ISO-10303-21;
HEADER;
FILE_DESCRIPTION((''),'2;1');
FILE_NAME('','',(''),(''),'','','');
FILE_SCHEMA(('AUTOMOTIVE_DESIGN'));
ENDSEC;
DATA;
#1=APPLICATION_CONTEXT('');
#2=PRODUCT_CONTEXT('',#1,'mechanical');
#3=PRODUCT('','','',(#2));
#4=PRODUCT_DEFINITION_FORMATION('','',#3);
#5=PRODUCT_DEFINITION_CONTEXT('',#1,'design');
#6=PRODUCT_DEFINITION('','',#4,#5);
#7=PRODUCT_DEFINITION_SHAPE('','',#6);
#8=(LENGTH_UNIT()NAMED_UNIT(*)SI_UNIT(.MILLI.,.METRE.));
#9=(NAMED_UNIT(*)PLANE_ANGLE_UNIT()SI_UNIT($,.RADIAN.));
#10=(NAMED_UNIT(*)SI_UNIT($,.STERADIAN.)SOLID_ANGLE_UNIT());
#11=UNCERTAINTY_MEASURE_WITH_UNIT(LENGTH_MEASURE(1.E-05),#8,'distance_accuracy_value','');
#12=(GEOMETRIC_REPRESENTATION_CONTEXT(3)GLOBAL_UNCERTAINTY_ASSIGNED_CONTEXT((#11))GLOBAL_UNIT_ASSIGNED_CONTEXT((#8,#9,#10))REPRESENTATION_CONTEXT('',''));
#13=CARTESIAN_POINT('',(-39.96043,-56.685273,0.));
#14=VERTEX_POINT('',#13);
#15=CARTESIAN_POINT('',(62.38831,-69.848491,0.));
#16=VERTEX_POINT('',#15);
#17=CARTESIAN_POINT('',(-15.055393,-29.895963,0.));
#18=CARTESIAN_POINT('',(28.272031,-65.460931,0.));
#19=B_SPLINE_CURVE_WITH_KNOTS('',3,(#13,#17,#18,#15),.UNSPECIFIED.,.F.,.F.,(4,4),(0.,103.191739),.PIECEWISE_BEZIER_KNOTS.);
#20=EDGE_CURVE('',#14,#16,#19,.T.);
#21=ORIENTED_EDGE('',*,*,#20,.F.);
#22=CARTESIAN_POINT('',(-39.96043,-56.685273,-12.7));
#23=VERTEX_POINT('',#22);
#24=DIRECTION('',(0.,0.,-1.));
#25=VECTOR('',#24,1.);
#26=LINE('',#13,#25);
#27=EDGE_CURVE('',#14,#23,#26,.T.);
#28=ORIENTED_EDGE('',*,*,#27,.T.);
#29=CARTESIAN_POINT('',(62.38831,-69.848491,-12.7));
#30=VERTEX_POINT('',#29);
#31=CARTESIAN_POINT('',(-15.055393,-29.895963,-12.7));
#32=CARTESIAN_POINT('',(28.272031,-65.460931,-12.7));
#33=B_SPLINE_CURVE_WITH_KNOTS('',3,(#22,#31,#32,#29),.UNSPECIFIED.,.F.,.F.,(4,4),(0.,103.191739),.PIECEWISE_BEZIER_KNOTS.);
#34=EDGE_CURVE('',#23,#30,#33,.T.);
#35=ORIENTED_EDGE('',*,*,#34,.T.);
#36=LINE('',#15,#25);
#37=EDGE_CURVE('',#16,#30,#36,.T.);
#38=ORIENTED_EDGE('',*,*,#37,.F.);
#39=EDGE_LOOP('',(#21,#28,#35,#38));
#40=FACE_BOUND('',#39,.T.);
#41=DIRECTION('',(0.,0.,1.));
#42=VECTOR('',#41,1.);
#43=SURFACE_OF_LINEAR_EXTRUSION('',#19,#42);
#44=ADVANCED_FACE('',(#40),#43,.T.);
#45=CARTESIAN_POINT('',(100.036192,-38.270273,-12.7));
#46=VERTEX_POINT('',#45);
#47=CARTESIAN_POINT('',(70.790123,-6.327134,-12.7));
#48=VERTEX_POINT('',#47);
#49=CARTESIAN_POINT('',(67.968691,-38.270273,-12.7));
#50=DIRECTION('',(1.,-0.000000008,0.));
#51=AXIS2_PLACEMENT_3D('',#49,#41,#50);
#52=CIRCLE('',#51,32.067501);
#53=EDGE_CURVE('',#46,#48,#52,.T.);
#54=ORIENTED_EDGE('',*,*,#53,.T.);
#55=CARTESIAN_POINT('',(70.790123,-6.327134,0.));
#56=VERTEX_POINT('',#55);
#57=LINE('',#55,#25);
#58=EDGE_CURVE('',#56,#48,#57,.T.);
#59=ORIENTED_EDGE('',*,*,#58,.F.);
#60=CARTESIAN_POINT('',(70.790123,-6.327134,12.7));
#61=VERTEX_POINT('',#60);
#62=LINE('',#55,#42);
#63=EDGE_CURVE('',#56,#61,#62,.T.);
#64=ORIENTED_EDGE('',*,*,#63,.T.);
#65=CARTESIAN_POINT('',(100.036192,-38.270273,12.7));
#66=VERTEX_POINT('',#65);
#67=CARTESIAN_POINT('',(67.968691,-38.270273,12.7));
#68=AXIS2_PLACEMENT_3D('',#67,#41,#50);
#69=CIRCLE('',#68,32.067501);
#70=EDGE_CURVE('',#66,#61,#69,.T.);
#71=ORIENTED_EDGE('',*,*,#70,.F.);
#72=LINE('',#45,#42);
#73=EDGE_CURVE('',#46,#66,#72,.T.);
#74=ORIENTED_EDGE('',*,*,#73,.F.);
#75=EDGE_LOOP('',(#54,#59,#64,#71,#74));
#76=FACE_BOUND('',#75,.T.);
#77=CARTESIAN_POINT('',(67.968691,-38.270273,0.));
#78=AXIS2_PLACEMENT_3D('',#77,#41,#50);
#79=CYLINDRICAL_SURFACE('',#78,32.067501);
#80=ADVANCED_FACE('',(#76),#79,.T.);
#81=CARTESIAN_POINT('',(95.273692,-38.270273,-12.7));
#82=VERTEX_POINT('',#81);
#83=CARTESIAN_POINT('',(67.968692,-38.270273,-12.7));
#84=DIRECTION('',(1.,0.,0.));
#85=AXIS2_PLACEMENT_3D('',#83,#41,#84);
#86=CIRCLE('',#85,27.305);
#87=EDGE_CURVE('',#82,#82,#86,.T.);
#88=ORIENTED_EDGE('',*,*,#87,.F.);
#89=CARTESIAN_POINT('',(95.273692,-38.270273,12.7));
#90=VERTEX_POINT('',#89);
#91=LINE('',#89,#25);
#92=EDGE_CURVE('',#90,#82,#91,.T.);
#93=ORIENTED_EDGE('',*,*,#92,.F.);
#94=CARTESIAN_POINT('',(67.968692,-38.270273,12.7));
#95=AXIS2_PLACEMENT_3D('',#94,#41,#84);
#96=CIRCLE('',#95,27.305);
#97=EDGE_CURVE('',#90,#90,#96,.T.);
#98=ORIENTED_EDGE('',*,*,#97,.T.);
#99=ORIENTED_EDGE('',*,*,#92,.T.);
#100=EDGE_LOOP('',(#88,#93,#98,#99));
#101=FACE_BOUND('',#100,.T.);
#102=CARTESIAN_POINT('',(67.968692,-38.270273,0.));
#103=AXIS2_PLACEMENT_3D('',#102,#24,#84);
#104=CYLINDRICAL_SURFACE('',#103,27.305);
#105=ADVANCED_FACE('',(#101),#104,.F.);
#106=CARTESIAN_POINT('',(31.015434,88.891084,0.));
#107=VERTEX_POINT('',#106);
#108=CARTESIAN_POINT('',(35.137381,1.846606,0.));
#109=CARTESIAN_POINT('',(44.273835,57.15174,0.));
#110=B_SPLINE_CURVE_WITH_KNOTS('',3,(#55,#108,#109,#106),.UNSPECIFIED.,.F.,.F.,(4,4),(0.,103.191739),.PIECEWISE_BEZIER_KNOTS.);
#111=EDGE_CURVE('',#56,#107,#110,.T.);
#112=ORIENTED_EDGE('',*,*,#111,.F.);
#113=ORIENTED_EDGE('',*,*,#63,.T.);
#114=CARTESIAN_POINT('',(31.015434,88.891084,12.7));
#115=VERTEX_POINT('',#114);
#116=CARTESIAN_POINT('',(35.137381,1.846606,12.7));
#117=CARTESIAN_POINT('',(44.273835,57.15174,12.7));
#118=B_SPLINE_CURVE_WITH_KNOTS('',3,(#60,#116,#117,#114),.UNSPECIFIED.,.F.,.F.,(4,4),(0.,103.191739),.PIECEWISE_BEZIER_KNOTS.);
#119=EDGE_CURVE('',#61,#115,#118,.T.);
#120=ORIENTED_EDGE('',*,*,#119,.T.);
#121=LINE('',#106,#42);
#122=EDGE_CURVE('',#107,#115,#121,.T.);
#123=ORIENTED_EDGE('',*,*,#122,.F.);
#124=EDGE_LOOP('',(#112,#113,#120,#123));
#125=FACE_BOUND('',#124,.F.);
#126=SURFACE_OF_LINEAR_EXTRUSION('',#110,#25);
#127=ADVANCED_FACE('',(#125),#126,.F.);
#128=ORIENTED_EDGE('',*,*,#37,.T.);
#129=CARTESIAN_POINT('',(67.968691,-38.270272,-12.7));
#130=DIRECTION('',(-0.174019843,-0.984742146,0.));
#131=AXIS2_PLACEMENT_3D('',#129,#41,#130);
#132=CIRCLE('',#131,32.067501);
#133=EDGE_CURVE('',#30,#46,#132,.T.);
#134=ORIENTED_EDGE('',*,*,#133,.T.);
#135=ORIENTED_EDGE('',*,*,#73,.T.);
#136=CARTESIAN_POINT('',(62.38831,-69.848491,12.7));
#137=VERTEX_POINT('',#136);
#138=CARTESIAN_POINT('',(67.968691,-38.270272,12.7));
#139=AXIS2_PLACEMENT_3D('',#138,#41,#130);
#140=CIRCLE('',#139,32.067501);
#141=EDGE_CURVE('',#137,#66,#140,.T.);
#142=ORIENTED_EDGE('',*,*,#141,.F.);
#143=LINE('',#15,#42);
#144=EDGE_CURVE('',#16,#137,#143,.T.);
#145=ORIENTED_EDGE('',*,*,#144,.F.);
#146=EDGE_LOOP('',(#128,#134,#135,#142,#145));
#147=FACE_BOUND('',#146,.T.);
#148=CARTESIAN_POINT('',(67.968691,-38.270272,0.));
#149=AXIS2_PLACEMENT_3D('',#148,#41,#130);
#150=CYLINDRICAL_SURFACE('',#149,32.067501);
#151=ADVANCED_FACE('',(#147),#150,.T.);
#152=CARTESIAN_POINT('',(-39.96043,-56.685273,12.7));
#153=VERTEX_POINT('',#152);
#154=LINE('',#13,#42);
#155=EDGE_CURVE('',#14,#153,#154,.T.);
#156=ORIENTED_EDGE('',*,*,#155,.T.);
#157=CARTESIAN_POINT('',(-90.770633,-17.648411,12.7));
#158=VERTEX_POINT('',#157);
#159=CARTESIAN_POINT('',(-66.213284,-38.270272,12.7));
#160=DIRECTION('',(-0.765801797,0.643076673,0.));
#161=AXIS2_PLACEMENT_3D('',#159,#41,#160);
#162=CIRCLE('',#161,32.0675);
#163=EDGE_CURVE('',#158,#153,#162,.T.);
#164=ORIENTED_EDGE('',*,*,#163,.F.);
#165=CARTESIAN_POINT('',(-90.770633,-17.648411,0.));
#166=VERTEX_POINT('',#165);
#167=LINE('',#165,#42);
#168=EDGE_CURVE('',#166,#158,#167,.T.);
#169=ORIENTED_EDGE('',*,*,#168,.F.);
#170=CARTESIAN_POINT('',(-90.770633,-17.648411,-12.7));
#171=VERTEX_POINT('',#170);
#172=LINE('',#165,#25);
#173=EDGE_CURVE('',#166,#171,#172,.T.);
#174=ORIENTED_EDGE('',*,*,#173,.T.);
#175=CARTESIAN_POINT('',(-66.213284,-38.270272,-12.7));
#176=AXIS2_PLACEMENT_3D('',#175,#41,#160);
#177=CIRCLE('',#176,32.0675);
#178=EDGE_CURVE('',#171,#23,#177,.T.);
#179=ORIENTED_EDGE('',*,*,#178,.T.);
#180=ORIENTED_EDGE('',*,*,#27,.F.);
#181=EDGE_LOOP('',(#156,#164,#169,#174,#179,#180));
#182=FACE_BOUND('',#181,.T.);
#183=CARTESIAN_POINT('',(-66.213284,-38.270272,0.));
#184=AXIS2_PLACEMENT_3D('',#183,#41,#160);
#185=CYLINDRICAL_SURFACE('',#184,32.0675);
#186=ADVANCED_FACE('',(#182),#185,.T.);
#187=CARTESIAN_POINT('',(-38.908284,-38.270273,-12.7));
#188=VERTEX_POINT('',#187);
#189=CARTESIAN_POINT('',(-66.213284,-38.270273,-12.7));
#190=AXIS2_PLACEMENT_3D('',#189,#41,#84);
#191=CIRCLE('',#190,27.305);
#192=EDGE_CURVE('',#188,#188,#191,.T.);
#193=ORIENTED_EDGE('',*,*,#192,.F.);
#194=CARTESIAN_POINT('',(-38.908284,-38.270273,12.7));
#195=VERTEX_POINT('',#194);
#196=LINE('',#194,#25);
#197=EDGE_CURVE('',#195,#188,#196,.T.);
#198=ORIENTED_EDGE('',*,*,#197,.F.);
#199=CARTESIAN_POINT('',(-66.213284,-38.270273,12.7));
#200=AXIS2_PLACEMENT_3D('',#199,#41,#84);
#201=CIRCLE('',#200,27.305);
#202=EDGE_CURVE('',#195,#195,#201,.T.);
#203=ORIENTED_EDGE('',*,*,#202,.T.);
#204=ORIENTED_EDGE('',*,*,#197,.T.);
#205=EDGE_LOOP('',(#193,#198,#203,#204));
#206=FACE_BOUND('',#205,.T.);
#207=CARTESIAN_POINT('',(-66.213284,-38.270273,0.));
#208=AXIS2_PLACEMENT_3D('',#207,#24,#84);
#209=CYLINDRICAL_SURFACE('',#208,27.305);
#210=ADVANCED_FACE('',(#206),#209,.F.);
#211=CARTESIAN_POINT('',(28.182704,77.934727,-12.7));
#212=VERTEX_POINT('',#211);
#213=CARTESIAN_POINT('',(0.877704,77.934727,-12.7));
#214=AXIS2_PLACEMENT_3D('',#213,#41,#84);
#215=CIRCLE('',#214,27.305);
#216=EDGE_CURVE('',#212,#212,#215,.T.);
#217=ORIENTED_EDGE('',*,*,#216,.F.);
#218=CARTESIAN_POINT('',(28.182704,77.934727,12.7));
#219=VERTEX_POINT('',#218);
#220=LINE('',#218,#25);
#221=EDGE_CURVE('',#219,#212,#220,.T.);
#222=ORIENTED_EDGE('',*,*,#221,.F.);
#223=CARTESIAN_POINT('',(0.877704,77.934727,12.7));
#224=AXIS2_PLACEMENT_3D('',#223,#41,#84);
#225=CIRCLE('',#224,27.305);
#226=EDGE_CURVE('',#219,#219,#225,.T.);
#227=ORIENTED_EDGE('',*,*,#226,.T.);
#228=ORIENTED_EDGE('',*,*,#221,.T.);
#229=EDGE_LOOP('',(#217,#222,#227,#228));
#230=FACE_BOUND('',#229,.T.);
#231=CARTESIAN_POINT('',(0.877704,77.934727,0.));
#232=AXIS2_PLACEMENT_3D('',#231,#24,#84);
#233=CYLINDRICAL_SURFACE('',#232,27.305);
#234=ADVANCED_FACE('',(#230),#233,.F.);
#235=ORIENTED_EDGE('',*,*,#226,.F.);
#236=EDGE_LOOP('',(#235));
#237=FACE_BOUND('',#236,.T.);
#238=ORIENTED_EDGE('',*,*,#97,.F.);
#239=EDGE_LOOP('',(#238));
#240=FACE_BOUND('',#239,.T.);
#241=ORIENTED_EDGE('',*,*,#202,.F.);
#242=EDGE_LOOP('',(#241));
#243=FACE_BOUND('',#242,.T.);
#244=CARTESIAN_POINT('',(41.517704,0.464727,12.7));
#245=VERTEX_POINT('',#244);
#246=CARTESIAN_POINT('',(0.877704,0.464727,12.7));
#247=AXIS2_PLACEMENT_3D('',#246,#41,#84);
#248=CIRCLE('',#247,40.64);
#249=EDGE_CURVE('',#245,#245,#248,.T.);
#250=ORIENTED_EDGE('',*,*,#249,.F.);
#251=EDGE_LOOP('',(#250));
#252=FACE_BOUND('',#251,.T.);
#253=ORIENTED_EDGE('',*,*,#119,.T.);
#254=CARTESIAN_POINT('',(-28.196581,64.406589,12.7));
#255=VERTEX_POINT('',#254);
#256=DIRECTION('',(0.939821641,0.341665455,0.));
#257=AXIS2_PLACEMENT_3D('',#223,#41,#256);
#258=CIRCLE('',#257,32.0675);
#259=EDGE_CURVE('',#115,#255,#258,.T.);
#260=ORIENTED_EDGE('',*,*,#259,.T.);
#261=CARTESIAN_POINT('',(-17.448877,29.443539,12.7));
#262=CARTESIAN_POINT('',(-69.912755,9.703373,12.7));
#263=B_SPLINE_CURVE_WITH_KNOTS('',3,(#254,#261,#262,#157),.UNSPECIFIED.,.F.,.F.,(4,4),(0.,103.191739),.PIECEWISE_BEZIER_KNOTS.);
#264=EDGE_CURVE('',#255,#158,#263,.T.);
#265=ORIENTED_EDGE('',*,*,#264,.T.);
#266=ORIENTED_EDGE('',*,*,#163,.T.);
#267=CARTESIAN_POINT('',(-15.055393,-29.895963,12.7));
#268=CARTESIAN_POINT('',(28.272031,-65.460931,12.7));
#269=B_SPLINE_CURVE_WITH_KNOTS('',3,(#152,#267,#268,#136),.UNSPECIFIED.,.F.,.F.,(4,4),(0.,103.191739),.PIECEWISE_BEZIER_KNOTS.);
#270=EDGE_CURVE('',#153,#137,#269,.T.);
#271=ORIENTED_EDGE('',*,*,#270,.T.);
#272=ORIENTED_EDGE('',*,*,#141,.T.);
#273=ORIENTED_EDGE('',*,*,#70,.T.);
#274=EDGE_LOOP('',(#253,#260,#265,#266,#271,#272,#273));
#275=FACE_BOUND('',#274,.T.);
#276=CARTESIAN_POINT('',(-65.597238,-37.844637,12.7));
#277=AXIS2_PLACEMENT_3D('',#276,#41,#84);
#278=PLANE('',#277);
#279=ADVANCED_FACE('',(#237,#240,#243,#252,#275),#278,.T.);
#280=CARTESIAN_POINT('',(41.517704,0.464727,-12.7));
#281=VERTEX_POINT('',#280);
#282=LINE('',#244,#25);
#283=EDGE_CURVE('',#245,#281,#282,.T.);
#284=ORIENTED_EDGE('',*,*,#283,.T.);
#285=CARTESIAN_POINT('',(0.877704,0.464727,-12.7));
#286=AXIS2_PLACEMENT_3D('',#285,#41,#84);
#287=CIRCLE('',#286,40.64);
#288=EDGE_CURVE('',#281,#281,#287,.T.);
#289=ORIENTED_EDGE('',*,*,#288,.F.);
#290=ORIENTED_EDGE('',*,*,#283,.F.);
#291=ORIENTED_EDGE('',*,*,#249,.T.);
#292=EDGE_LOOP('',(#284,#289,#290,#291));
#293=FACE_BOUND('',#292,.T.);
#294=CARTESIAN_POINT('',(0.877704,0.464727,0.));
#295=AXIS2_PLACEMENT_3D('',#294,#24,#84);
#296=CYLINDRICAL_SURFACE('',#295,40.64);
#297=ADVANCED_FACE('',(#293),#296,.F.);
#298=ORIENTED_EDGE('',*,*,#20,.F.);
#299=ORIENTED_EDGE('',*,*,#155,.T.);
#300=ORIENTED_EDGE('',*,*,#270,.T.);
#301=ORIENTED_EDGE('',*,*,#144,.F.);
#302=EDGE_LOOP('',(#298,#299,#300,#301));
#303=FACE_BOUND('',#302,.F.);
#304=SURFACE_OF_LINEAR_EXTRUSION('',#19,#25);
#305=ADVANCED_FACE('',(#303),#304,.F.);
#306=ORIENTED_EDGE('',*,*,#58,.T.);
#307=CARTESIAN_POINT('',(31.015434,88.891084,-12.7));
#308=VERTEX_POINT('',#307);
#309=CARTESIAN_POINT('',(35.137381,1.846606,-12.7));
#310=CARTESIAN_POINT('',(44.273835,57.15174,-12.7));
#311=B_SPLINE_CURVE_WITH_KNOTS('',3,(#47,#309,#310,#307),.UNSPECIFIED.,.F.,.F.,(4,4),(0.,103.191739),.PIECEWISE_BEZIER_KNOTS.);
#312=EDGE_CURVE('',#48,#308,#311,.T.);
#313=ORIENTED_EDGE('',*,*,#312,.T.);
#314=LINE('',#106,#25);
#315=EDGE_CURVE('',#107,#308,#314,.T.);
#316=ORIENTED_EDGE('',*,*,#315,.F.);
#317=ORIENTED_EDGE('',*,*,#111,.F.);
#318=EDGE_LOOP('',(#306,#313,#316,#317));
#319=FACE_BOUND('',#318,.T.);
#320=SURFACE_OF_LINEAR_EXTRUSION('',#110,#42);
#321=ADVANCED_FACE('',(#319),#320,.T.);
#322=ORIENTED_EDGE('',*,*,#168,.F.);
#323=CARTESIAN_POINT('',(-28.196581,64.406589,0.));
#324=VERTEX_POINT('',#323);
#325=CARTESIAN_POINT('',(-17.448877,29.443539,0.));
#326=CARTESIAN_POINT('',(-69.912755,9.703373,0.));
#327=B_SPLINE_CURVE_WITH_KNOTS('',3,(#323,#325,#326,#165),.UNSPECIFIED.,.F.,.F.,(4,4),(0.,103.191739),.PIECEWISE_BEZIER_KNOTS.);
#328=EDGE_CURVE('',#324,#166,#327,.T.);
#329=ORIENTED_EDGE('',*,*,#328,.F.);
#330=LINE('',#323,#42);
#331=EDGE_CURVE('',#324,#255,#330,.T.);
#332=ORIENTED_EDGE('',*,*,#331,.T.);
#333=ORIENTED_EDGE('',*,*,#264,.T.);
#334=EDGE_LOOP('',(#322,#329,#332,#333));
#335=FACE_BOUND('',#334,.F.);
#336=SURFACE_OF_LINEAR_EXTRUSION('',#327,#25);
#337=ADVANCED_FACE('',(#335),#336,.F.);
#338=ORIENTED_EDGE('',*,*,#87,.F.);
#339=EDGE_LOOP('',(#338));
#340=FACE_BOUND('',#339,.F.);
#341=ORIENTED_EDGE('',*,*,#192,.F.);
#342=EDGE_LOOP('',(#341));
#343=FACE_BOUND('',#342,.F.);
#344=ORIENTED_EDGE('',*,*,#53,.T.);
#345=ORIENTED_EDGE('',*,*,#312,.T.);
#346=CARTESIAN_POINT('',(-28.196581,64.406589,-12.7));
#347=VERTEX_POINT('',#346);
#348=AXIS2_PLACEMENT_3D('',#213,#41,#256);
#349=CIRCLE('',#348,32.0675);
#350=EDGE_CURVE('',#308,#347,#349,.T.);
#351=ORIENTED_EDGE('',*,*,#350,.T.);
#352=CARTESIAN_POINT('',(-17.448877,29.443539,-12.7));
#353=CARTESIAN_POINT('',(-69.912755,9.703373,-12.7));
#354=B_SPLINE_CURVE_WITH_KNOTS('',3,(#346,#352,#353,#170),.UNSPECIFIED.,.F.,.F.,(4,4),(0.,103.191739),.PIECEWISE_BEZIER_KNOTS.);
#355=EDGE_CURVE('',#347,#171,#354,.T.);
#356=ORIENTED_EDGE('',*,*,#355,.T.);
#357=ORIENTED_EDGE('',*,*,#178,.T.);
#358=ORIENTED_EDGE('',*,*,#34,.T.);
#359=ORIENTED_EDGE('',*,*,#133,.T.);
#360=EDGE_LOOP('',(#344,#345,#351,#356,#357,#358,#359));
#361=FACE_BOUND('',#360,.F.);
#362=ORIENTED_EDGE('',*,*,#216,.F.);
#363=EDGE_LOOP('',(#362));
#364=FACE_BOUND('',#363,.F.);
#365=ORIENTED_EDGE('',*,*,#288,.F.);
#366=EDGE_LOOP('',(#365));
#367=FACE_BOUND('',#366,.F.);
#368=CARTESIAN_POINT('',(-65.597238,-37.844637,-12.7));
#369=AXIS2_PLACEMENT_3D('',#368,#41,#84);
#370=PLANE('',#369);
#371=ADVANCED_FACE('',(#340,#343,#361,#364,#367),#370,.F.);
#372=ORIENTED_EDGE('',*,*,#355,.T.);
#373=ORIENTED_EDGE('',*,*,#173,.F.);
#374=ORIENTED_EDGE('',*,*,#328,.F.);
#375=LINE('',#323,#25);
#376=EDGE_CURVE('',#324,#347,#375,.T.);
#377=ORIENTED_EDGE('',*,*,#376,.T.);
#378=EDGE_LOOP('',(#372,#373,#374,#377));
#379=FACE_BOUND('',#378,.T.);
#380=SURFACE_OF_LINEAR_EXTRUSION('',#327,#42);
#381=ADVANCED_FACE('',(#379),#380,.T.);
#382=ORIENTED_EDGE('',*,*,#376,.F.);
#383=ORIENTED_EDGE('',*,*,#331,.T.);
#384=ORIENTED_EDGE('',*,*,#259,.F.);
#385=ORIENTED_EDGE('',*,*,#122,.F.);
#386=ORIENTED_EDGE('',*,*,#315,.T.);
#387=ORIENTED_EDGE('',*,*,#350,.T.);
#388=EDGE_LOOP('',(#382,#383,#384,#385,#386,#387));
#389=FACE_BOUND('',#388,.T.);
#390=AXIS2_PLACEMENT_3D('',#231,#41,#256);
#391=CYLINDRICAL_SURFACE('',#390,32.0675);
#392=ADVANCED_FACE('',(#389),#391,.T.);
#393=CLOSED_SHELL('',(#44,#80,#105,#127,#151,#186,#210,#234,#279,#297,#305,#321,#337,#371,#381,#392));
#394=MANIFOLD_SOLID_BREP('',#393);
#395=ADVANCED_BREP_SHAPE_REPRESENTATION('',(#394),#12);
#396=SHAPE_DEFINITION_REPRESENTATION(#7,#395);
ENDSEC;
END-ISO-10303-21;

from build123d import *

# Parameters (mm, degrees)
F0_R     = 27.305
F0_R_2   = 40.64
F1_DEPTH = 12.7


with BuildPart() as f1:
    # F0 (on Top) → F1 (new body, symmetric)
    with BuildSketch(Plane.XY):
        with BuildLine():
            ThreePointArc((-39.96043, -56.685273), (-35.633978, -47.925871), (-34.145784, -38.270273))
            ThreePointArc((-34.145784, -38.270273), (-55.239867, -8.13875), (-90.770633, -17.648411))
            ThreePointArc((-90.770633, -17.648411), (-85.750117, -63.699325), (-39.96043, -56.685273))
        make_face()
        with Locations((-66.213284, -38.270273)):
            Circle(F0_R, mode=Mode.SUBTRACT)
        with BuildLine():
            ThreePointArc((-90.770633, -17.648411), (-55.239867, -8.13875), (-34.145784, -38.270273))
            ThreePointArc((-34.145784, -38.270273), (-35.633978, -47.925871), (-39.96043, -56.685273))
            add(Edge.make_bspline(
                [(-39.96043, -56.685273), (-15.055393, -29.895963), (28.272031, -65.460931), (62.38831, -69.848491)],
                knots=[0, 0, 0, 0, 103.191739, 103.191739, 103.191739, 103.191739], degree=3))
            ThreePointArc((62.38831, -69.848491), (36.17807, -34.065405), (70.790123, -6.327134))
            add(Edge.make_bspline(
                [(70.790123, -6.327134), (35.137381, 1.846606), (44.273835, 57.15174), (31.015434, 88.891084)],
                knots=[0, 0, 0, 0, 103.191739, 103.191739, 103.191739, 103.191739], degree=3))
            ThreePointArc((31.015434, 88.891084), (32.459077, 83.49723), (32.945204, 77.934727))
            ThreePointArc((32.945204, 77.934727), (7.805363, 46.624472), (-28.196581, 64.406589))
            add(Edge.make_bspline(
                [(-28.196581, 64.406589), (-17.448877, 29.443539), (-69.912755, 9.703373), (-90.770633, -17.648411)],
                knots=[0, 0, 0, 0, 103.191739, 103.191739, 103.191739, 103.191739], degree=3))
        make_face()
        with Locations((0.877704, 0.464727)):
            Circle(F0_R_2, mode=Mode.SUBTRACT)
        with BuildLine():
            ThreePointArc((31.015434, 88.891084), (-11.376085, 107.568647), (-28.196581, 64.406589))
            ThreePointArc((-28.196581, 64.406589), (7.805363, 46.624472), (32.945204, 77.934727))
            ThreePointArc((32.945204, 77.934727), (32.459077, 83.49723), (31.015434, 88.891084))
        make_face()
        with Locations((0.877704, 77.934727)):
            Circle(F0_R, mode=Mode.SUBTRACT)
        with BuildLine():
            ThreePointArc((70.790123, -6.327134), (36.17807, -34.065405), (62.38831, -69.848491))
            ThreePointArc((62.38831, -69.848491), (88.576647, -62.839292), (100.036192, -38.270273))
            ThreePointArc((100.036192, -38.270273), (91.620339, -16.615616), (70.790123, -6.327134))
        make_face()
        with Locations((67.968692, -38.270273)):
            Circle(F0_R, mode=Mode.SUBTRACT)
    extrude(amount=F1_DEPTH, both=True)


solid = f1.part
